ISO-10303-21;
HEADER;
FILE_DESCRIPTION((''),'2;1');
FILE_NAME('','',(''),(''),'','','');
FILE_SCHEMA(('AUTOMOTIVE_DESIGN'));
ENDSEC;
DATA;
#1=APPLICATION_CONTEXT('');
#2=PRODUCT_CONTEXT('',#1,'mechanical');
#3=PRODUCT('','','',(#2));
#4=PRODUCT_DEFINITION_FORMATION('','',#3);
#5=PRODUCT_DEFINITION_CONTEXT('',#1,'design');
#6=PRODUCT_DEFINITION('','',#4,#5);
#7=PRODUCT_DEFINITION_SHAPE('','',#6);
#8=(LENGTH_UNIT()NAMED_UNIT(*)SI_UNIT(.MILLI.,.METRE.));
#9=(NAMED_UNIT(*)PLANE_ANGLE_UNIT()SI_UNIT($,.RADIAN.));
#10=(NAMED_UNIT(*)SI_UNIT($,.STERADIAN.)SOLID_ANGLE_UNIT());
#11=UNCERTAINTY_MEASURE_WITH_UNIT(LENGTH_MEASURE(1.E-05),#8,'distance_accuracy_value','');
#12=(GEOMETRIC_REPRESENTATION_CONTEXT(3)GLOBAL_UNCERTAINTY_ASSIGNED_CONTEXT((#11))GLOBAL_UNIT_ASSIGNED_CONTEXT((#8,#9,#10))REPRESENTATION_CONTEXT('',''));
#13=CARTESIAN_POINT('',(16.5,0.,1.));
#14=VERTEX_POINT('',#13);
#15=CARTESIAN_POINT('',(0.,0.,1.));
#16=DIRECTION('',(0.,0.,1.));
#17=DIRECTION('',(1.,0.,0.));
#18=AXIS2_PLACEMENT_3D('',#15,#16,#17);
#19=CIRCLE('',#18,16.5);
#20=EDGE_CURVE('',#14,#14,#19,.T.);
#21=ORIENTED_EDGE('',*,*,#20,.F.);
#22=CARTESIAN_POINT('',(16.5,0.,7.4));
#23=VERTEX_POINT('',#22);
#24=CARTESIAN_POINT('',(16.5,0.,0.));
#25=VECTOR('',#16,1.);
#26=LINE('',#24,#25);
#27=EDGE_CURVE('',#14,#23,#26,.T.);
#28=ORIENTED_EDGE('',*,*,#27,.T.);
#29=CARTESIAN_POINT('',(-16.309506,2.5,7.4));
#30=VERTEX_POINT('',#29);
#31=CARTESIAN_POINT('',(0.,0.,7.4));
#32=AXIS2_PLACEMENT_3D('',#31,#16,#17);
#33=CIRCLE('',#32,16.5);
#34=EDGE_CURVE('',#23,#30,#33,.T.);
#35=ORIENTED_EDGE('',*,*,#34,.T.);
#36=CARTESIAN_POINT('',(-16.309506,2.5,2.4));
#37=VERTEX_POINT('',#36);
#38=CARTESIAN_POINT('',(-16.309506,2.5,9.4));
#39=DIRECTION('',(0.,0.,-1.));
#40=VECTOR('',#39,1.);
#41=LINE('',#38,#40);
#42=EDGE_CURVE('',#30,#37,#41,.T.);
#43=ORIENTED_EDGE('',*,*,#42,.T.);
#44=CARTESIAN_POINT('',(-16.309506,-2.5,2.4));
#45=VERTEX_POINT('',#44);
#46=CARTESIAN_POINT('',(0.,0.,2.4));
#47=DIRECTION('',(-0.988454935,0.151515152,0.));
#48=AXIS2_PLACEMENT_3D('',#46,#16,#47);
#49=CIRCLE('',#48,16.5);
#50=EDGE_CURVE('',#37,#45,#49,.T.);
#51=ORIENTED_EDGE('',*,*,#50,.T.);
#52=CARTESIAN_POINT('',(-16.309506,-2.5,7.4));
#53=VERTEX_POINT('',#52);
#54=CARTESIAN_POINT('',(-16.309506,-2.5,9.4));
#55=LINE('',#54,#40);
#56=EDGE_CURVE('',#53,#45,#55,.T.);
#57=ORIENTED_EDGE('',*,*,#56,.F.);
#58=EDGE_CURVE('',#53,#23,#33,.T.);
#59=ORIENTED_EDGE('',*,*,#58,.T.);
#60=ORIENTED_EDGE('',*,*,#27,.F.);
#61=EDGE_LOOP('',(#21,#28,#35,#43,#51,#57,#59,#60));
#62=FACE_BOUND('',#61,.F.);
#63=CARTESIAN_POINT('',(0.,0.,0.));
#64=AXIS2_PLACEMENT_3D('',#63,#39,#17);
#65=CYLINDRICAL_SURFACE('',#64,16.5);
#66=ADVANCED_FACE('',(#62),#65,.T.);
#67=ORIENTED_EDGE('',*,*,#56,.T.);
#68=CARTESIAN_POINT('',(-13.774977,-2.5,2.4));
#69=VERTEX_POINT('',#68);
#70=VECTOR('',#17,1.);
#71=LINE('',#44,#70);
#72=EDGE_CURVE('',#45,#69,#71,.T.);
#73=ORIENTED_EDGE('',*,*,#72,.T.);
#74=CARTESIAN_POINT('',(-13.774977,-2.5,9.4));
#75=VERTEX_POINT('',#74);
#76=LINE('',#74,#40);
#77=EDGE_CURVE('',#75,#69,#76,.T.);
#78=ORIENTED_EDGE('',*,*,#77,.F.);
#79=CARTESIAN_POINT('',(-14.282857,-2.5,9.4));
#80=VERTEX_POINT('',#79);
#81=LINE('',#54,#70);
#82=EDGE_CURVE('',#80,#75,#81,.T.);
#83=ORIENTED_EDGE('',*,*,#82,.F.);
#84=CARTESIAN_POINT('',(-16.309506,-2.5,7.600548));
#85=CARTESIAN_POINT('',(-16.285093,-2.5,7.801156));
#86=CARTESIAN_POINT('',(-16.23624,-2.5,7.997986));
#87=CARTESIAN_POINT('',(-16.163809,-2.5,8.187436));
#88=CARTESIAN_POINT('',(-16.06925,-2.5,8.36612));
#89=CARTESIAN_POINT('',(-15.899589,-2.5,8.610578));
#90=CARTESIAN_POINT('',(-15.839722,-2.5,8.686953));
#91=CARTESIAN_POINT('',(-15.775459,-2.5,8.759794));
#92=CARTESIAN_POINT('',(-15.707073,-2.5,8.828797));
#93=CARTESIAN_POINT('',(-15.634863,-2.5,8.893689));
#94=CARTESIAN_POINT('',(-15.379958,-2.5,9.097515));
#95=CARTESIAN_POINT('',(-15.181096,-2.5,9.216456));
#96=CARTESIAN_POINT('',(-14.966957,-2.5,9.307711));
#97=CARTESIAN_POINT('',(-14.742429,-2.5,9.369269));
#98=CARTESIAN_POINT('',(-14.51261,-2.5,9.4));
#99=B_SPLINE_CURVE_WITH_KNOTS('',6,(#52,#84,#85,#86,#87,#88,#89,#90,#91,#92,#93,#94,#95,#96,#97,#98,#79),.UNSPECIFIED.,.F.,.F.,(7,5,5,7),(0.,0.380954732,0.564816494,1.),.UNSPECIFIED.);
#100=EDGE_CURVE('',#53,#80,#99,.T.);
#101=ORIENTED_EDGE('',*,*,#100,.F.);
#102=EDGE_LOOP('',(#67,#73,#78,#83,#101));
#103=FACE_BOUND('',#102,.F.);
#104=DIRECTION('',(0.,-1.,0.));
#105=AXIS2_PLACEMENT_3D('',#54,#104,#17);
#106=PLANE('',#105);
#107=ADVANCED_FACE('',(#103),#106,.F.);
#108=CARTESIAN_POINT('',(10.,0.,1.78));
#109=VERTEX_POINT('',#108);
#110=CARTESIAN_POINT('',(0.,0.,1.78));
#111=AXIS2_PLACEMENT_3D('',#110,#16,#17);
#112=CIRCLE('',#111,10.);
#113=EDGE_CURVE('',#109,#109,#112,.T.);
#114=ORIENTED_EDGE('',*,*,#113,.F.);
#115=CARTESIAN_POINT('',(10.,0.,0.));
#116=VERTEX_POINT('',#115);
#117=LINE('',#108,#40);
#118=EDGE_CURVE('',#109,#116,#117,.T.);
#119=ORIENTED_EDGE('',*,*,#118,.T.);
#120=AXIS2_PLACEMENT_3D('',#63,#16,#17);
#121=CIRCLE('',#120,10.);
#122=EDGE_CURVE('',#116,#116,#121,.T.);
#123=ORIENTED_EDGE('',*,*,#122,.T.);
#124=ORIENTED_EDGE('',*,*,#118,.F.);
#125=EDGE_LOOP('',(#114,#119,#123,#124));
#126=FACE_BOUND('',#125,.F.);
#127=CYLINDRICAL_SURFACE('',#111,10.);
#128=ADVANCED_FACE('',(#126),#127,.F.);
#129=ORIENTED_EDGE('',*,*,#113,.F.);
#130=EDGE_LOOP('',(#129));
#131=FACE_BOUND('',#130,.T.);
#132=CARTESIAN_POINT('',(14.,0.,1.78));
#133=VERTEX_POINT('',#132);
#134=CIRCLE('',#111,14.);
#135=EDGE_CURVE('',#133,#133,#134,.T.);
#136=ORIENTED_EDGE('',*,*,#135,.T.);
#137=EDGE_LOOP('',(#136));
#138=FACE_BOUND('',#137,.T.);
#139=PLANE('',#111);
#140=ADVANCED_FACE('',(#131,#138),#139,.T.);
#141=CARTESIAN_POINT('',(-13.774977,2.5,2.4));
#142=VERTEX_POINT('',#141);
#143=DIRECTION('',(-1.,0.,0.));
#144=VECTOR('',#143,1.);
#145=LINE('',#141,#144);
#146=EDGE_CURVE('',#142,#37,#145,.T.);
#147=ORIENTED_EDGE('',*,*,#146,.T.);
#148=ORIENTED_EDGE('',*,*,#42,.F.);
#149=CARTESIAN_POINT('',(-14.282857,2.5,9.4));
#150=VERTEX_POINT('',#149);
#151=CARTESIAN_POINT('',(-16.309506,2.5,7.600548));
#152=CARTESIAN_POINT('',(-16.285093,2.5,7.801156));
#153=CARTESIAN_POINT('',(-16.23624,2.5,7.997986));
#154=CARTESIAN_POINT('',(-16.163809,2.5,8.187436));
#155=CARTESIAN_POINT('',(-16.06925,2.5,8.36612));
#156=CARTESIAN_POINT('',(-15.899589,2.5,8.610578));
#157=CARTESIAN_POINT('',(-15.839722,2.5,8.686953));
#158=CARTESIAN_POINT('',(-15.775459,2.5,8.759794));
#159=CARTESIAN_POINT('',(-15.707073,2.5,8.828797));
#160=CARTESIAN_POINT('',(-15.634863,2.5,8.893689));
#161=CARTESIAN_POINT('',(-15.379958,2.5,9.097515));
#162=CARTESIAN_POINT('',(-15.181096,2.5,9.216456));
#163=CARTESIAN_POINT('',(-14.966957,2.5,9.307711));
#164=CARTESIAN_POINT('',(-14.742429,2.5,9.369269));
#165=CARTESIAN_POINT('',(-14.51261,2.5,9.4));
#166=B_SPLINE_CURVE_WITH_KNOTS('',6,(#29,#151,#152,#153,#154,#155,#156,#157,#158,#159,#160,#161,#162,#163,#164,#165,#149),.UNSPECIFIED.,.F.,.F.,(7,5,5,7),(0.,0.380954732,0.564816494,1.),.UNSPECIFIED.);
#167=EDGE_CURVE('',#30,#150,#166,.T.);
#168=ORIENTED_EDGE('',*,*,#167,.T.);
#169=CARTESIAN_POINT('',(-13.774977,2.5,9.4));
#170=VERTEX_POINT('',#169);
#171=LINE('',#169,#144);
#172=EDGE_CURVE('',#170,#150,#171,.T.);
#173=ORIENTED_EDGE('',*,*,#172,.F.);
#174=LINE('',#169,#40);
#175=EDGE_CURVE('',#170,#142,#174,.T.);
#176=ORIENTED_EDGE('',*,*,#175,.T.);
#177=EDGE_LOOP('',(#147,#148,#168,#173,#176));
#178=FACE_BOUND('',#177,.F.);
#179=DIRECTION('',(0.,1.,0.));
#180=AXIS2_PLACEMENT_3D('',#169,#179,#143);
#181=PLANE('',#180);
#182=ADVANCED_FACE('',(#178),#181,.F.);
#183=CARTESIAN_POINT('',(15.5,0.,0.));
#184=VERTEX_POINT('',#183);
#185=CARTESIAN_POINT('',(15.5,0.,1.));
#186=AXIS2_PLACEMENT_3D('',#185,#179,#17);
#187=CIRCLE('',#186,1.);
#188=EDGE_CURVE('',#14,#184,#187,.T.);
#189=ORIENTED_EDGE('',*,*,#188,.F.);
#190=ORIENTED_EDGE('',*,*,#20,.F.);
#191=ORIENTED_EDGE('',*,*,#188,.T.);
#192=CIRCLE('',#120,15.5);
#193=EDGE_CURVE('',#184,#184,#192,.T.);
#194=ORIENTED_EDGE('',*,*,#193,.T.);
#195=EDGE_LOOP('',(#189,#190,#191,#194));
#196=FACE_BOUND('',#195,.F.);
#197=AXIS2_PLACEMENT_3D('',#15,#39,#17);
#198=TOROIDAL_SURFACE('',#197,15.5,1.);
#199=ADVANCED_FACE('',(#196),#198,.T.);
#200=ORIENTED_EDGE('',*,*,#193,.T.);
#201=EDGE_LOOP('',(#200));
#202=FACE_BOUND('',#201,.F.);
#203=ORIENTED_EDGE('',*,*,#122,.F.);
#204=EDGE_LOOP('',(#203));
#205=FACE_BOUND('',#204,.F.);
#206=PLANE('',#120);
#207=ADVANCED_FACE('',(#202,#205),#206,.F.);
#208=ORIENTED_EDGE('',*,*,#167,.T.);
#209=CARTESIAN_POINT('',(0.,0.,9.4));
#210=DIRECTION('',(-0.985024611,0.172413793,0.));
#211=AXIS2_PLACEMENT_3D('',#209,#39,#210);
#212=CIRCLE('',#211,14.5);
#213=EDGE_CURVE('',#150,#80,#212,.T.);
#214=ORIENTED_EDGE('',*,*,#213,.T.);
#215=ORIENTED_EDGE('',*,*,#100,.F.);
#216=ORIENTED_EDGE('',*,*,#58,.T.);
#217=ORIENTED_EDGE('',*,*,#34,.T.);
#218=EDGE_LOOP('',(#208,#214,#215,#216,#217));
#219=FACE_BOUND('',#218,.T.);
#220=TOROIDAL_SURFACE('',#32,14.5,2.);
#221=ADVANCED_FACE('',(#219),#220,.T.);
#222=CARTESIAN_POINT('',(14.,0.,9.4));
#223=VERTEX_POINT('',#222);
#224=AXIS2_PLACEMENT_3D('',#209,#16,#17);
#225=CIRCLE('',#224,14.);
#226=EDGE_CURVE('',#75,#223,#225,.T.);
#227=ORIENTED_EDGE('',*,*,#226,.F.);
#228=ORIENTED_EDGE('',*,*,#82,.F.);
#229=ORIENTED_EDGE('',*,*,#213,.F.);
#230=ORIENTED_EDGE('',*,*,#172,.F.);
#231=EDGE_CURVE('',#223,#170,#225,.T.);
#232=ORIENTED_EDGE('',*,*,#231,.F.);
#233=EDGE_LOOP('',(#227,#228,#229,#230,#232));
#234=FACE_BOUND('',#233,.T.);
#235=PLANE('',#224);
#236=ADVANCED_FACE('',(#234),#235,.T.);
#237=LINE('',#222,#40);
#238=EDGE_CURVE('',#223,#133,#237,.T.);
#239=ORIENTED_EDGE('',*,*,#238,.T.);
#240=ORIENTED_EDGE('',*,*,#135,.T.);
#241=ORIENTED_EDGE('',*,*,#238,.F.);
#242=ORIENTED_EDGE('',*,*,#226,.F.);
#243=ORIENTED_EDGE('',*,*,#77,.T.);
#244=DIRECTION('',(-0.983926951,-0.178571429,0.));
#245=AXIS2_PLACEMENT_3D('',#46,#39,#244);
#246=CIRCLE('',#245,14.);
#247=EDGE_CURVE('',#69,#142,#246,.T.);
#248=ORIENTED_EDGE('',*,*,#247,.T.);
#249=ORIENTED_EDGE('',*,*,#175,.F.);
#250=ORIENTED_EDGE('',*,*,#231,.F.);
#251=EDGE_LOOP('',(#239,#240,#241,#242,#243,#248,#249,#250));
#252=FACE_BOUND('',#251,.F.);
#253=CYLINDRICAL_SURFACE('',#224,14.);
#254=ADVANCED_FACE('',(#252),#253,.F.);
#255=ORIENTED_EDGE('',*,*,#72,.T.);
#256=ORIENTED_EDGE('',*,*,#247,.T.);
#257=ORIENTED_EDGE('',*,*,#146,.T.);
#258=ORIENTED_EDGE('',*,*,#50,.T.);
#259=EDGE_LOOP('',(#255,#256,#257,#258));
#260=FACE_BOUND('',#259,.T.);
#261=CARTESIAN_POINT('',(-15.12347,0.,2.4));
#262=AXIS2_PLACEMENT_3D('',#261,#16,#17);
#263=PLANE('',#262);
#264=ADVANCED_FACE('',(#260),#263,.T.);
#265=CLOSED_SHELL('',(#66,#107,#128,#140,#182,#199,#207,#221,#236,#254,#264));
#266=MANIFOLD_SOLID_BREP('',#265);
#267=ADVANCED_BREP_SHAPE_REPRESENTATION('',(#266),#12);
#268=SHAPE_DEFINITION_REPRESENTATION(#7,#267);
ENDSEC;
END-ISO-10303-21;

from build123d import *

# Parameters (mm, degrees)
F0_R      = 16.5
F1_DEPTH  = 9.4
F2_R      = 14
F3_DEPTH  = 7.62
F4_R      = 2
F6_DEPTH  = 7
F8_DEPTH  = 5.5
F9_R      = 1
F10_R     = 10
F11_DEPTH = 3


with BuildPart() as f1:
    # F0 (on Top) → F1 (new body)
    with BuildSketch(Plane.XY):
        Circle(F0_R)
    extrude(amount=F1_DEPTH)

    # F2 (on face) → F3 (cut)
    with BuildSketch(Plane.XY.offset(9.4)):
        Circle(F2_R)
    extrude(amount=-F3_DEPTH, mode=Mode.SUBTRACT)

    # F4
    f4_edges = [f1.edges().sort_by_distance(p)[0] for p in [
        (-16.5, 0, 9.4),
    ]]
    fillet(f4_edges, radius=F4_R)

    # F5 (on face) → F6 (cut)
    with BuildSketch(Plane.XY.offset(9.4)):
        with BuildLine():
            ThreePointArc((-13.774977314, -2.5), (-14, 0), (-13.774977314, 2.5))
            Line((-13.774977314, 2.5), (-16.3095064303, 2.5))
            ThreePointArc((-16.3095064303, 2.5), (-16.5, 0), (-16.3095064303, -2.5))
            Line((-16.3095064303, -2.5), (-13.774977314, -2.5))
        make_face()
    extrude(amount=-F6_DEPTH, mode=Mode.SUBTRACT)

    # F7 (on face) → F8 (cut)
    with BuildSketch(Plane.XY.offset(9.4)):
        with BuildLine():
            ThreePointArc((-13.913931867, -1.55), (-14, 0), (-13.913931867, 1.55))
            Line((-13.913931867, 1.55), (-16.4270356425, 1.55))
            ThreePointArc((-16.4270356425, 1.55), (-16.5, 0), (-16.4270356425, -1.55))
            Line((-16.4270356425, -1.55), (-13.913931867, -1.55))
        make_face()
    extrude(amount=-F8_DEPTH, mode=Mode.SUBTRACT)

    # F9
    f9_edges = [f1.edges().sort_by_distance(p)[0] for p in [
        (-16.5, 0, 0),
    ]]
    fillet(f9_edges, radius=F9_R)

    # F10 (on face) → F11 (cut)
    with BuildSketch(Plane.XY.offset(1.78)):
        Circle(F10_R)
    extrude(amount=-F11_DEPTH, mode=Mode.SUBTRACT)


solid = f1.part
